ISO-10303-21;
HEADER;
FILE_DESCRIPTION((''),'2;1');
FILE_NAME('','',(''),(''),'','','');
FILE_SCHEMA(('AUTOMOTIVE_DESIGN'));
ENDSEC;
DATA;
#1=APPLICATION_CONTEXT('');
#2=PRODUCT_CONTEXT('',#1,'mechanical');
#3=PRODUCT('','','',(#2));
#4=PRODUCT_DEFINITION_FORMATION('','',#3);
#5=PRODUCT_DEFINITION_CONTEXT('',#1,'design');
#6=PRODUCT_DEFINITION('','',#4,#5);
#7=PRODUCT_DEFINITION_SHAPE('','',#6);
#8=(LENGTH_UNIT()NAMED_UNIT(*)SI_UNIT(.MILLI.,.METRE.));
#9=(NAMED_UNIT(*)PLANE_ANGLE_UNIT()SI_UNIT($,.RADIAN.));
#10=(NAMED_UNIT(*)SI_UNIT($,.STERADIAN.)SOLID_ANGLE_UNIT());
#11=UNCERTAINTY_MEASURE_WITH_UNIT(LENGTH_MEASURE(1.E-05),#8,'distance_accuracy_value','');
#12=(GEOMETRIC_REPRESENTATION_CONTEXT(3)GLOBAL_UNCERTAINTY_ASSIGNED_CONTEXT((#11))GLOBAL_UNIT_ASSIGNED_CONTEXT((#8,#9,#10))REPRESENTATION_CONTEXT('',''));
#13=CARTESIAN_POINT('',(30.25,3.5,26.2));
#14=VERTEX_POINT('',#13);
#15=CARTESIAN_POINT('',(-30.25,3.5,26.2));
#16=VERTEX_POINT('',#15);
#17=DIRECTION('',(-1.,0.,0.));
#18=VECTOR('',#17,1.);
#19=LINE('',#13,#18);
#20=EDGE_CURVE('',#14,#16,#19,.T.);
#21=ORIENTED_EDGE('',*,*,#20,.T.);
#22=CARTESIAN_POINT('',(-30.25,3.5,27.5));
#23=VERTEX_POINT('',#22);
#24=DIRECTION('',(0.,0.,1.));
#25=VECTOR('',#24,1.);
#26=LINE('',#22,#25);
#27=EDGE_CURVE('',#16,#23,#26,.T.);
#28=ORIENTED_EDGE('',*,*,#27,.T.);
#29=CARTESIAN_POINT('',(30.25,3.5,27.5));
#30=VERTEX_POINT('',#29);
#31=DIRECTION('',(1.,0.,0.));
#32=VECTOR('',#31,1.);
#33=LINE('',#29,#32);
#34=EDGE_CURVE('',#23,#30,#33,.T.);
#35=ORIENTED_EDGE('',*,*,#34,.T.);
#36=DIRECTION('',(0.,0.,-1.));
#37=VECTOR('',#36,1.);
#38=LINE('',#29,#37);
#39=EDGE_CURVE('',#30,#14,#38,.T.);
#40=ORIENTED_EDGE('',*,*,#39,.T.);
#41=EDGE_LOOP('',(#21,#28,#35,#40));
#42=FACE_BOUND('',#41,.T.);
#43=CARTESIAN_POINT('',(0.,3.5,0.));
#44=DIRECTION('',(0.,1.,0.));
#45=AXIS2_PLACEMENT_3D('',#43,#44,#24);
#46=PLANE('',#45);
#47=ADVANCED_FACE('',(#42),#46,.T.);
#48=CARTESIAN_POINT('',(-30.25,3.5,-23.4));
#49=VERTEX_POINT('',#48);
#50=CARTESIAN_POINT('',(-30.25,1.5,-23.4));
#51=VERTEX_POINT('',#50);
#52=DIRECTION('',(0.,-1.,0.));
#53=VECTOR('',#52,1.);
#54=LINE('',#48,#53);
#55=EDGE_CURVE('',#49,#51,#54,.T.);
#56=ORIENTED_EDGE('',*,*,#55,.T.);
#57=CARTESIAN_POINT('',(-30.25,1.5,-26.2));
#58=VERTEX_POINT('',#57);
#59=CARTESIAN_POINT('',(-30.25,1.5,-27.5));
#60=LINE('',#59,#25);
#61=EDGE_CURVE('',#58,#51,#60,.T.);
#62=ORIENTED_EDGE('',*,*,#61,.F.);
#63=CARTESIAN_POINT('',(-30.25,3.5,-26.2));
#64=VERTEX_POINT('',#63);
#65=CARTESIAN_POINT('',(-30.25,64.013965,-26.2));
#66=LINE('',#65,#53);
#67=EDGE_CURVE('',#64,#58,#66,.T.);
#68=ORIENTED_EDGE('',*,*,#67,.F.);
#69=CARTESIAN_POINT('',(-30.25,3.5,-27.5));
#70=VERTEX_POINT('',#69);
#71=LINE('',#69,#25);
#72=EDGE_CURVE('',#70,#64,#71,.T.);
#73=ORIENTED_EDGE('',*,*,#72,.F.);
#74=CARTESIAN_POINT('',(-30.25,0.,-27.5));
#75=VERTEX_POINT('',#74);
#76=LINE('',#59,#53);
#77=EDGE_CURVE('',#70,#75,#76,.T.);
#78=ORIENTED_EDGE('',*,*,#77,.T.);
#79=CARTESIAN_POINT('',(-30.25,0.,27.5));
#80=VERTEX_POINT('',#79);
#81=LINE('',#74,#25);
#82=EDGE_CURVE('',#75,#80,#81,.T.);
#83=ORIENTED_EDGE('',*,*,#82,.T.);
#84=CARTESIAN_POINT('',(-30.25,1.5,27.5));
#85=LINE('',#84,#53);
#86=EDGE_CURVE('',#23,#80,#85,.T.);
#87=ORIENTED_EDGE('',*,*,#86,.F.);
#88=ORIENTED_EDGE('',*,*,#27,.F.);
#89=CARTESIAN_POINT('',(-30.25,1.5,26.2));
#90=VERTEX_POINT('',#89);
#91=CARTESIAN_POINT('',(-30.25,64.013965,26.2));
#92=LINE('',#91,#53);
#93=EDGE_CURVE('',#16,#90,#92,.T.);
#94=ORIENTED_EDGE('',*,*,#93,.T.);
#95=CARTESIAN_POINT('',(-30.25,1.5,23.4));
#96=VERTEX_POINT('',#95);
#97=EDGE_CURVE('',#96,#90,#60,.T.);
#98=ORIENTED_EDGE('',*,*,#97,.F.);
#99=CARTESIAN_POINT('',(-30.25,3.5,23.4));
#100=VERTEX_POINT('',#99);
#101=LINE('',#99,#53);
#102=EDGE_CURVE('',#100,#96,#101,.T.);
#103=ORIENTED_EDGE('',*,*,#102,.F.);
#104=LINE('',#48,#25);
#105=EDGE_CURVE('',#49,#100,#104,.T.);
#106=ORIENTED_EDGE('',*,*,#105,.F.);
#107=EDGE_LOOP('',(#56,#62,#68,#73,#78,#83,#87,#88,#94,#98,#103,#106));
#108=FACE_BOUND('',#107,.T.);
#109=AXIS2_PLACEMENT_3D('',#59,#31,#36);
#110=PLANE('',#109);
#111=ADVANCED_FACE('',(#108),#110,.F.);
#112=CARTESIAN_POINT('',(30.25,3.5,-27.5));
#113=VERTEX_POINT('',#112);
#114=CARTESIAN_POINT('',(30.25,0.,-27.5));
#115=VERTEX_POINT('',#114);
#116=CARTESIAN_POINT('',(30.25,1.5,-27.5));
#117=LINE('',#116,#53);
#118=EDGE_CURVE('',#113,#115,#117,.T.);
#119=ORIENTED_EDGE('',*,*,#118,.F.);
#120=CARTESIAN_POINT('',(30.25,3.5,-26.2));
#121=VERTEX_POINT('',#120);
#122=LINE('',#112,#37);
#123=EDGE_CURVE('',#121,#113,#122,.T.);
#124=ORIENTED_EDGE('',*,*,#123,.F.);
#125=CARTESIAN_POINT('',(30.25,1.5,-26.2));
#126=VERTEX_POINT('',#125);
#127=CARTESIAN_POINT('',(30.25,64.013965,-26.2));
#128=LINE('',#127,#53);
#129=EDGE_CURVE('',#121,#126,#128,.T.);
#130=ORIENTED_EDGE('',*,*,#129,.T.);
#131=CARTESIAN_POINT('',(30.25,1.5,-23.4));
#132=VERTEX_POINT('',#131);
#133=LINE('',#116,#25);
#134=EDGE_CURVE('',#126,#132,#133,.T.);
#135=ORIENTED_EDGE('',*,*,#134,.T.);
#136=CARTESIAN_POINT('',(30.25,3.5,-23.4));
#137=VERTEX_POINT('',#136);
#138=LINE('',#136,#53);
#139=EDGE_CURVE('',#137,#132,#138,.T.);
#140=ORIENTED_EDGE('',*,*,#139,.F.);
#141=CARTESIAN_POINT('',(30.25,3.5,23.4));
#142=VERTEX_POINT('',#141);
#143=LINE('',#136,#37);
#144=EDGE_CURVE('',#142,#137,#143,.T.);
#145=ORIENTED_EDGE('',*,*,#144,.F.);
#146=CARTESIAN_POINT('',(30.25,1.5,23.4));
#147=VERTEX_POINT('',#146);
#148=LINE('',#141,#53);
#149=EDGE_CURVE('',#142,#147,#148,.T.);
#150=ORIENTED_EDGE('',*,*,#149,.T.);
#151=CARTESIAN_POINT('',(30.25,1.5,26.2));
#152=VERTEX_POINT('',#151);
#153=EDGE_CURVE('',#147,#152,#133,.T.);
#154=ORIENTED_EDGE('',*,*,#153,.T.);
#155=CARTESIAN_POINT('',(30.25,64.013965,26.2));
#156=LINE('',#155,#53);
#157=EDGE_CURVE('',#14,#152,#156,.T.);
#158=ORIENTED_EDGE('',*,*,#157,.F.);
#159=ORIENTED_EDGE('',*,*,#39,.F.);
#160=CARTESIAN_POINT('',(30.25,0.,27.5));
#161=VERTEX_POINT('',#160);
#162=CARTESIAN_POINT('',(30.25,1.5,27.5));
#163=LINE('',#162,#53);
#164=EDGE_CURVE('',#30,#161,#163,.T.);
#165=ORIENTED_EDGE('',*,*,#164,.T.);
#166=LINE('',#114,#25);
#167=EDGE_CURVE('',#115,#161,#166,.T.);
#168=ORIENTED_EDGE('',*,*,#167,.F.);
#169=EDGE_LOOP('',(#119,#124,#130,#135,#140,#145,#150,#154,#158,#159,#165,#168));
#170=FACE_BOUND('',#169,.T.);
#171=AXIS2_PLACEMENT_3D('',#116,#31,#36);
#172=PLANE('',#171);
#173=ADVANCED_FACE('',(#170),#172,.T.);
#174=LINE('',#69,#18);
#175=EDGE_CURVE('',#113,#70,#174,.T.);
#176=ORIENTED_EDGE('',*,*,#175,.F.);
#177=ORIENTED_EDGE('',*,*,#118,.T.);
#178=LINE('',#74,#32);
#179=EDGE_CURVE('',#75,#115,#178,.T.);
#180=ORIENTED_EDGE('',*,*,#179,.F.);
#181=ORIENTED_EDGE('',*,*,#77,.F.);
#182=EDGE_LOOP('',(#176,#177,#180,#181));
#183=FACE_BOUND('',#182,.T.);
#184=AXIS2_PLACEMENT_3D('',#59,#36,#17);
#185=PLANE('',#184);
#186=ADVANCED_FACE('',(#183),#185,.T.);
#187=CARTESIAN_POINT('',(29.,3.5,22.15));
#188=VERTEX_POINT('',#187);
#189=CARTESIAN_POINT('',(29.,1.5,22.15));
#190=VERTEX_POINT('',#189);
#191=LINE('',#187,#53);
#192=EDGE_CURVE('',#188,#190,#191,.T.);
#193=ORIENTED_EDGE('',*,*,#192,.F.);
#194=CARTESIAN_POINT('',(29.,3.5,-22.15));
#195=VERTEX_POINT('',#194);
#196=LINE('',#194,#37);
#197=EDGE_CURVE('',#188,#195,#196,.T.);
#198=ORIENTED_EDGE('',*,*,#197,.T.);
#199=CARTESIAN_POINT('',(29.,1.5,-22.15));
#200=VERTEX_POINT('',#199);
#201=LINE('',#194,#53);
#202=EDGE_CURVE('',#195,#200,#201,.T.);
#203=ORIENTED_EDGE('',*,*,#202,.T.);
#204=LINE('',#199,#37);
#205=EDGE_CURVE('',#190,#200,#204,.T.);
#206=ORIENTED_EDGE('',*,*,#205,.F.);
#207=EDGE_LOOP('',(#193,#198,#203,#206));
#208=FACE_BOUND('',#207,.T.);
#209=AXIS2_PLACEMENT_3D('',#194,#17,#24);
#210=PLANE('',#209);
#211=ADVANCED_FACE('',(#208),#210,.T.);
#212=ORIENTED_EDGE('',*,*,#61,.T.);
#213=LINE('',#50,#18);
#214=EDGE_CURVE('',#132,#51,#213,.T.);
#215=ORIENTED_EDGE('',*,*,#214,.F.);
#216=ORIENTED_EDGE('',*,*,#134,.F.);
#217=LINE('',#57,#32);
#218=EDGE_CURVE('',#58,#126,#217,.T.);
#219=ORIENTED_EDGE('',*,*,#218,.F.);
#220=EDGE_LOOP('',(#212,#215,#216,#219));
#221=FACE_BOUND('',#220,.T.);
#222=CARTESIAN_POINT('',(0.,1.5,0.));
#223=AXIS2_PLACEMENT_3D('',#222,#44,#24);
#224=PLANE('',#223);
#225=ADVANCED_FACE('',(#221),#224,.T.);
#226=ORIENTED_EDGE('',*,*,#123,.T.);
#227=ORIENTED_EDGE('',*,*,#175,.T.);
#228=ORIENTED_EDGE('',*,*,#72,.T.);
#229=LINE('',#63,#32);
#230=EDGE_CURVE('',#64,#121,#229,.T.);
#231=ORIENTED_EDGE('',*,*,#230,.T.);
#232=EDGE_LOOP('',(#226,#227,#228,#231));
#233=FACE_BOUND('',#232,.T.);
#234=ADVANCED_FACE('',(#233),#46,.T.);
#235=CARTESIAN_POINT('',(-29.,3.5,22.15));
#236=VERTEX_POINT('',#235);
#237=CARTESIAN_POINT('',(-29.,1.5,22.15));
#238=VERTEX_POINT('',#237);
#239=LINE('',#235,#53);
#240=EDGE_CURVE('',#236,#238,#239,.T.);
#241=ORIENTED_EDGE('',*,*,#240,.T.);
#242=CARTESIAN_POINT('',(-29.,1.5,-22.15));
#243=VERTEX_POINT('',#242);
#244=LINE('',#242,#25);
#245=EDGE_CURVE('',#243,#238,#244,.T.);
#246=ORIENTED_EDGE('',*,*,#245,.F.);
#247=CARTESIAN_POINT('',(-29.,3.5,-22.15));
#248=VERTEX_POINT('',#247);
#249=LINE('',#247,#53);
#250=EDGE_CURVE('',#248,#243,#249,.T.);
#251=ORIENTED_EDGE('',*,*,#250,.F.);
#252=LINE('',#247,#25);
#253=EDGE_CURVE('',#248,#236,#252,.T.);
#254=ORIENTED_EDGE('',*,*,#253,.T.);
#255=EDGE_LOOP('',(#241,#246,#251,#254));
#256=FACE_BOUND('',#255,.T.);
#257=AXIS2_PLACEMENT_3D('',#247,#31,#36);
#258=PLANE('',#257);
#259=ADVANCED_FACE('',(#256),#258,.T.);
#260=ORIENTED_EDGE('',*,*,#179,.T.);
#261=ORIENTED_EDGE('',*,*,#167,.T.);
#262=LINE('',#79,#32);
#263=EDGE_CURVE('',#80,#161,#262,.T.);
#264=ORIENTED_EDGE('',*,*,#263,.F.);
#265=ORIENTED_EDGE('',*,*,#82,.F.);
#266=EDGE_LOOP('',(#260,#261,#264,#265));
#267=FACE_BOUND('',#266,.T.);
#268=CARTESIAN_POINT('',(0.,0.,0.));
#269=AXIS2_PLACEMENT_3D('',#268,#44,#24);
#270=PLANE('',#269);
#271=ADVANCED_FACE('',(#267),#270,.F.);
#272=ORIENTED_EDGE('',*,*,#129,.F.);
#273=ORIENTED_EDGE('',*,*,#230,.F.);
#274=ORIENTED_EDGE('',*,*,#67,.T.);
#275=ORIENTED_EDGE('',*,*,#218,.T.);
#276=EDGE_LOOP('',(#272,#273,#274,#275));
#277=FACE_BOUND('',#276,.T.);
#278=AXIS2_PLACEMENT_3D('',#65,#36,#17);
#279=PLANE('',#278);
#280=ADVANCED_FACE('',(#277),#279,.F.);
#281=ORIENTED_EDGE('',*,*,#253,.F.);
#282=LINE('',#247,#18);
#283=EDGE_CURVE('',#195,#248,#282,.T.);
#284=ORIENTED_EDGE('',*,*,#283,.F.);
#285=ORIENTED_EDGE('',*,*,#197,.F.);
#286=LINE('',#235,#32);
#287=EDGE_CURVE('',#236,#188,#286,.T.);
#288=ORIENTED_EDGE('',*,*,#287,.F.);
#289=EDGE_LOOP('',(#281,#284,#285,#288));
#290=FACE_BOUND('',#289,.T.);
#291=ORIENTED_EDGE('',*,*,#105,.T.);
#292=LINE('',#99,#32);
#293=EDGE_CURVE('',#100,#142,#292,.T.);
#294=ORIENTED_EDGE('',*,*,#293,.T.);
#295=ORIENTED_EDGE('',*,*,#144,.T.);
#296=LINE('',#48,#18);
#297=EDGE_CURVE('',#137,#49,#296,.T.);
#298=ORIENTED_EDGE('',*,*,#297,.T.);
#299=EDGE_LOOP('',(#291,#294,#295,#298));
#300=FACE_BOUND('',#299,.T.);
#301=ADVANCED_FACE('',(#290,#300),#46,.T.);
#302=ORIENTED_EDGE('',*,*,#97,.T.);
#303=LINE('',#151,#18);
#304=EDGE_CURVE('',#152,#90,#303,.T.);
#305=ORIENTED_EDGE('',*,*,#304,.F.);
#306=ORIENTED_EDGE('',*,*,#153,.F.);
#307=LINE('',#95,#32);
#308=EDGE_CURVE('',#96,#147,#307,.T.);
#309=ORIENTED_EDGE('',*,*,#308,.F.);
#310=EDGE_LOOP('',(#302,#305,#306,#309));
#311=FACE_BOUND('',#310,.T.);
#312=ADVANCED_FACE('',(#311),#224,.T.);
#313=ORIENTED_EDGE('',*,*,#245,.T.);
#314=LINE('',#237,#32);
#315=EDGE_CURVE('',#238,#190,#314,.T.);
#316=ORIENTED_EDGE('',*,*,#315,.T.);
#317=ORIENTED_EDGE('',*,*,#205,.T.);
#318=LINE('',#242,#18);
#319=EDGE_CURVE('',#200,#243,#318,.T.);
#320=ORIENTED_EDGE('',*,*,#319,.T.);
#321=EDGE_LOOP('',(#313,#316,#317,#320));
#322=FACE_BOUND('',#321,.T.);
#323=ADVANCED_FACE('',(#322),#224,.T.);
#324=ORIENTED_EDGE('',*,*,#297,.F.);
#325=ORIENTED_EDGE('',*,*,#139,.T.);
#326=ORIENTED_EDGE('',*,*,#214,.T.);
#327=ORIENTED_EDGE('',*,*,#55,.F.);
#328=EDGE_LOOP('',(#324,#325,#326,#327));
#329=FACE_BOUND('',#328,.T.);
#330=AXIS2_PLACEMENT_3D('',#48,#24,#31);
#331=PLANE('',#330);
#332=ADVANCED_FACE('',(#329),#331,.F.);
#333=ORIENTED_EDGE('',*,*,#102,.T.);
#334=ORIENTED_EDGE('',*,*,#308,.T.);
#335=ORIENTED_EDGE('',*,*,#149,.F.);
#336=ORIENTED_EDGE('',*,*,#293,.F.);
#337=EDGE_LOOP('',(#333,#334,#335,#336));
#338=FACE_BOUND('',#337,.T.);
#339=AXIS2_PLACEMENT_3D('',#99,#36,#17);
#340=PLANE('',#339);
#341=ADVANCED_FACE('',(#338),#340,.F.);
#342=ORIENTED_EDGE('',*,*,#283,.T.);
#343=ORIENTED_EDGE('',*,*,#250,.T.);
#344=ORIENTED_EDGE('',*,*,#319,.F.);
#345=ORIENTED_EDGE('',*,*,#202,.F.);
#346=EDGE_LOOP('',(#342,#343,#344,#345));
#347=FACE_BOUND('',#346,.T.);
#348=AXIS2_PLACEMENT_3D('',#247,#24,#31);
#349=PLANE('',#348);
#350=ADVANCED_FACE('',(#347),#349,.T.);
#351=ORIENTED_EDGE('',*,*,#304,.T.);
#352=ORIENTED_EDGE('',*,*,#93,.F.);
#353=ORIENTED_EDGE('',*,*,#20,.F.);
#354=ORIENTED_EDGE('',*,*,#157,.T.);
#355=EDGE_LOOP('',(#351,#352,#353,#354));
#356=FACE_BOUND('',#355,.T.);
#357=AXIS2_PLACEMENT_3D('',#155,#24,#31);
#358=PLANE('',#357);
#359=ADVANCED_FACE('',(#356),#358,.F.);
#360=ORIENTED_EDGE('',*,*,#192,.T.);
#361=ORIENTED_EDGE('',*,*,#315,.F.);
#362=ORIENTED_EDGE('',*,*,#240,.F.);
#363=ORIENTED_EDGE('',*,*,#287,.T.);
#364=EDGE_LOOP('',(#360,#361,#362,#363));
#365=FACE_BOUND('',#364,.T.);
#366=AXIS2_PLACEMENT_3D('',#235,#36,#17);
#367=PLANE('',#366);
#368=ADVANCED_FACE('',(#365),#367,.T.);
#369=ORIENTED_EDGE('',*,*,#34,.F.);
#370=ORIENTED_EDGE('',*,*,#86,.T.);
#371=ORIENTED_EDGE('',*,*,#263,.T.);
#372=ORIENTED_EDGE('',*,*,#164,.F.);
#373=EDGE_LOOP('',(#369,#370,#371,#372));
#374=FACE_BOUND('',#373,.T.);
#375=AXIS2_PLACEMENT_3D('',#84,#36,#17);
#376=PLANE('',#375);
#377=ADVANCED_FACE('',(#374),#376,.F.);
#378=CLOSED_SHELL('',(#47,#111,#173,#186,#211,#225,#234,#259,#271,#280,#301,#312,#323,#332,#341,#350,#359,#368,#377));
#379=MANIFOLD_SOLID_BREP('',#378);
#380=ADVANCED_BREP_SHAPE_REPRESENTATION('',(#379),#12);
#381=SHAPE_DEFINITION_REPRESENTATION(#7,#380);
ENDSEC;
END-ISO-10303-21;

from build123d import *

# Parameters (mm, degrees)
SKETCH1_W           = 60.5
SKETCH1_H           = 55
BOSS_EXTRUDE1_DEPTH = 1.5
SKETCH2_W           = 60.5
SKETCH2_H           = 46.8
SKETCH2_W_2         = 58
SKETCH2_H_2         = 44.3
BOSS_EXTRUDE2_DEPTH = 2
SKETCH3_W           = 60.5
SKETCH3_H           = 1.3
BOSS_EXTRUDE3_DEPTH = 2


with BuildPart() as part:
    # Sketch1 → Boss-Extrude1 (new body)
    with BuildSketch(Plane(origin=(0, 0, 0), x_dir=(1, 0, 0), z_dir=(0, 1, 0))):
        Rectangle(SKETCH1_W, SKETCH1_H)
    extrude(amount=BOSS_EXTRUDE1_DEPTH)

    # Sketch2 → Boss-Extrude2 (add)
    with BuildSketch(Plane(origin=(0, 1.5, 0), x_dir=(1, 0, 0), z_dir=(0, 1, 0))):
        Rectangle(SKETCH2_W, SKETCH2_H)
        Rectangle(SKETCH2_W_2, SKETCH2_H_2, mode=Mode.SUBTRACT)
    extrude(amount=BOSS_EXTRUDE2_DEPTH)

    # Sketch3 → Boss-Extrude3 (add)
    with BuildSketch(Plane(origin=(0, 1.5, 0), x_dir=(1, 0, 0), z_dir=(0, 1, 0))):
        with Locations((0, 26.85)):
            Rectangle(SKETCH3_W, SKETCH3_H)
        with Locations((0, -26.85)):
            Rectangle(SKETCH3_W, SKETCH3_H)
    extrude(amount=BOSS_EXTRUDE3_DEPTH)


solid = part.part
